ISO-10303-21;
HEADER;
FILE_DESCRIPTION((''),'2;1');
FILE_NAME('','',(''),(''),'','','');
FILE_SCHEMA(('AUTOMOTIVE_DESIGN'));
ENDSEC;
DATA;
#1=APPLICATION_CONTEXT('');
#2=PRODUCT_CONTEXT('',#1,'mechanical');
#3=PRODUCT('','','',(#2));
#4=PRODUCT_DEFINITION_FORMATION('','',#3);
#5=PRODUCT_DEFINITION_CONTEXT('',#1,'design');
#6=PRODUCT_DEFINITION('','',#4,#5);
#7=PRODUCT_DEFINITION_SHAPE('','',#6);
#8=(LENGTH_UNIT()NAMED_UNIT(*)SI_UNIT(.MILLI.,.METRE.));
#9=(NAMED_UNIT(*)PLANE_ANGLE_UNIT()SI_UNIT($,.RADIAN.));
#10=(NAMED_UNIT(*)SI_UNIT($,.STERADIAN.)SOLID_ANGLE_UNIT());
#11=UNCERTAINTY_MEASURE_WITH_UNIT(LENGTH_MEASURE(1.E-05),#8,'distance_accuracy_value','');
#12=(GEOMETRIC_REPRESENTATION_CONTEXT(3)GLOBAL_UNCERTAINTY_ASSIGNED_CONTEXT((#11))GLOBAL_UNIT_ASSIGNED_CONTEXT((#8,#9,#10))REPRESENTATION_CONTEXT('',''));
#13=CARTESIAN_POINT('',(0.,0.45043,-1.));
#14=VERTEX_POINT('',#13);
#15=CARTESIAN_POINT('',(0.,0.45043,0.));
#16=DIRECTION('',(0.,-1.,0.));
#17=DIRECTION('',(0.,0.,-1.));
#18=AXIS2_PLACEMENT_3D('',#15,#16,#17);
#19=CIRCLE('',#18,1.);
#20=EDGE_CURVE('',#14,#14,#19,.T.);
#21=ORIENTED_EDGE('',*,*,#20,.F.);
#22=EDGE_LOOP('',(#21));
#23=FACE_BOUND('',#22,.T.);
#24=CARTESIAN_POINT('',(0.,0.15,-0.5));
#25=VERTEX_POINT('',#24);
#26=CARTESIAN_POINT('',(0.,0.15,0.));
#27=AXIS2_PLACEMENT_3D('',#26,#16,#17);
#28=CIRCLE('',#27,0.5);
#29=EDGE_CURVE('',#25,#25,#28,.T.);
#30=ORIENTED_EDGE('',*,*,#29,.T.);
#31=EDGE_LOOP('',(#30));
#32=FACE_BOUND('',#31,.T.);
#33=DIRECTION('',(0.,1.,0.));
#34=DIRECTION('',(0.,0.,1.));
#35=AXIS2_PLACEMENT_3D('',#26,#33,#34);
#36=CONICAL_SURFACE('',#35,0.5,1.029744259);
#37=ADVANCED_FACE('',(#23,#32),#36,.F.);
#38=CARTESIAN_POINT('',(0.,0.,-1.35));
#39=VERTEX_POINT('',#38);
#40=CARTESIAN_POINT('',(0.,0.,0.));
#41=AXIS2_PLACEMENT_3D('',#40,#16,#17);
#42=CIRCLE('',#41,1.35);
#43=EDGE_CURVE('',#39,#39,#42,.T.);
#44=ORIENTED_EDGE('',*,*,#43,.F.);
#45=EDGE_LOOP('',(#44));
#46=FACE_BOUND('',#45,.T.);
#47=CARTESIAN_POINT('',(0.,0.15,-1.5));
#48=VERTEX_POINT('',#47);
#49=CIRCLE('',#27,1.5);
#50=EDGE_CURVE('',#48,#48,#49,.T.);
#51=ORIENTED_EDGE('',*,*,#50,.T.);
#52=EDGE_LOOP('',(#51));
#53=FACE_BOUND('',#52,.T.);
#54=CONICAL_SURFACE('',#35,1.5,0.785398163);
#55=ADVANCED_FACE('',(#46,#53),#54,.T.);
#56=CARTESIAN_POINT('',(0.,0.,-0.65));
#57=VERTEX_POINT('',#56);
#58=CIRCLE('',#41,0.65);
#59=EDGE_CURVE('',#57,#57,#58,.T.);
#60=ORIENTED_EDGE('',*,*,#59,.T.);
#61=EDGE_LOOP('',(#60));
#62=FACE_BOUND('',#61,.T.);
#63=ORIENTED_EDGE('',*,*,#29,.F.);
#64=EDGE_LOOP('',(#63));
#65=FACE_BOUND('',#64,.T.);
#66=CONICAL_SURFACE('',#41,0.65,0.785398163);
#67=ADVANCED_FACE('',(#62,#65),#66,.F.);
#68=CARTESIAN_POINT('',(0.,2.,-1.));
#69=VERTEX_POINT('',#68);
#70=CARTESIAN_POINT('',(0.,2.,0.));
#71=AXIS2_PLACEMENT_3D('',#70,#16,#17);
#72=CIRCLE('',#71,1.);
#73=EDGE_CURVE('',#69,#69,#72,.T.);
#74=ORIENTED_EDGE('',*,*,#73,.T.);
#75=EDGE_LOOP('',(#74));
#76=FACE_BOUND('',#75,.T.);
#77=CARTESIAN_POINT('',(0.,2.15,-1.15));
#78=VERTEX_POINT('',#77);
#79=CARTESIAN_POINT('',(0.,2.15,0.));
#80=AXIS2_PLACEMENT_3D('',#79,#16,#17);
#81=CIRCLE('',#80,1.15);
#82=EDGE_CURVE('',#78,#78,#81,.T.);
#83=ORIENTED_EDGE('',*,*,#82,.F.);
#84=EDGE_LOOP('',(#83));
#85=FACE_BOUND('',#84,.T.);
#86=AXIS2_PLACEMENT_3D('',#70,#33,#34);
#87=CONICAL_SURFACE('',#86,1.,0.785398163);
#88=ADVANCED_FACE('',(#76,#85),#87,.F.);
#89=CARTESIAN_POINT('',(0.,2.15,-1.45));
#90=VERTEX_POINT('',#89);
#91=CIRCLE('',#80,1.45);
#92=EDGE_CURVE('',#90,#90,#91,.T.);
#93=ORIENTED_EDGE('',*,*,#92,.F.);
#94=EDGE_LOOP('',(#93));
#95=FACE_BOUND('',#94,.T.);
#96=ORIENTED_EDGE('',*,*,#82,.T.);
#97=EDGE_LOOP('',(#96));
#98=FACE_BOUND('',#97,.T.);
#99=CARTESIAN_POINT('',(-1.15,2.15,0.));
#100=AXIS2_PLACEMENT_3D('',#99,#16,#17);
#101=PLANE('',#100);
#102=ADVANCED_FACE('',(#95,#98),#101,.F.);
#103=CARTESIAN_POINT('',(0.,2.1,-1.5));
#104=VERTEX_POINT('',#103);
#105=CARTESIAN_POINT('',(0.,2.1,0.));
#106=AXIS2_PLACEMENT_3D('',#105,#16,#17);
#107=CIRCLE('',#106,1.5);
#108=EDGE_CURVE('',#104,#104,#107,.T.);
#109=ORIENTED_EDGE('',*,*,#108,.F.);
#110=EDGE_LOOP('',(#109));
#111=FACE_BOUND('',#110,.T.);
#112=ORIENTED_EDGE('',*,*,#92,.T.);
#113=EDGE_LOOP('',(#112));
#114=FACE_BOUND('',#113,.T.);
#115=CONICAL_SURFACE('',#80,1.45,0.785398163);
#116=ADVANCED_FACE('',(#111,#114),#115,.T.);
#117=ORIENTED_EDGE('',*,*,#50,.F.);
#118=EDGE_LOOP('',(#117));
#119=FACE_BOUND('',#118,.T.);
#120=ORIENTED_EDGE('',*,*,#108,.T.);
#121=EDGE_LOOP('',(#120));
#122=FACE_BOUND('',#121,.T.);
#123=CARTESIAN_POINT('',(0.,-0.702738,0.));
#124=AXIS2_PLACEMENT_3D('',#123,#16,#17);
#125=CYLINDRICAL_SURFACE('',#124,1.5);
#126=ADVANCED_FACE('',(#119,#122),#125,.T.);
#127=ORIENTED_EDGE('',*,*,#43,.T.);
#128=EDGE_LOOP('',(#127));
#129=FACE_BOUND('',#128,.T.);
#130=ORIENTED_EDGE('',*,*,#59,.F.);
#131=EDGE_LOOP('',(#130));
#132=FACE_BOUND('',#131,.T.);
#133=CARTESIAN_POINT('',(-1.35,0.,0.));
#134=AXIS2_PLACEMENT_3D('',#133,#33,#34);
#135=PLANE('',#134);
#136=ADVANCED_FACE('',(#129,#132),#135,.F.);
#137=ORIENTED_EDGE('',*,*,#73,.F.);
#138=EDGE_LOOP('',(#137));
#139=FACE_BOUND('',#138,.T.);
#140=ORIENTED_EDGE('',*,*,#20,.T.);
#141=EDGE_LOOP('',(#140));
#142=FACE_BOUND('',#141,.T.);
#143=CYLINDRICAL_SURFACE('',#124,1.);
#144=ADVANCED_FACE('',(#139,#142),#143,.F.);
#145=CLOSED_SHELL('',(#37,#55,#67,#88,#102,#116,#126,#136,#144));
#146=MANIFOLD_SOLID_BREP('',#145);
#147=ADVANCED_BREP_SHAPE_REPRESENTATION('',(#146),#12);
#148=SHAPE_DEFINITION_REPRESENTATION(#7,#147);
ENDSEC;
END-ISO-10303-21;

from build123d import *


with BuildPart() as part:
    # Sketch1 → Revolve1 (revolve)
    with BuildSketch(Plane.XY):
        Polygon((-1.35, 0), (-0.65, 0), (-0.5, 0.15), (-1, 0.45043031), (-1, 2), (-1.15, 2.15), (-1.45, 2.15), (-1.5, 2.1), (-1.5, 0.15), align=None)
    revolve(axis=Axis((0, -0.7027378, 0), (0, 1, 0)))


solid = part.part
